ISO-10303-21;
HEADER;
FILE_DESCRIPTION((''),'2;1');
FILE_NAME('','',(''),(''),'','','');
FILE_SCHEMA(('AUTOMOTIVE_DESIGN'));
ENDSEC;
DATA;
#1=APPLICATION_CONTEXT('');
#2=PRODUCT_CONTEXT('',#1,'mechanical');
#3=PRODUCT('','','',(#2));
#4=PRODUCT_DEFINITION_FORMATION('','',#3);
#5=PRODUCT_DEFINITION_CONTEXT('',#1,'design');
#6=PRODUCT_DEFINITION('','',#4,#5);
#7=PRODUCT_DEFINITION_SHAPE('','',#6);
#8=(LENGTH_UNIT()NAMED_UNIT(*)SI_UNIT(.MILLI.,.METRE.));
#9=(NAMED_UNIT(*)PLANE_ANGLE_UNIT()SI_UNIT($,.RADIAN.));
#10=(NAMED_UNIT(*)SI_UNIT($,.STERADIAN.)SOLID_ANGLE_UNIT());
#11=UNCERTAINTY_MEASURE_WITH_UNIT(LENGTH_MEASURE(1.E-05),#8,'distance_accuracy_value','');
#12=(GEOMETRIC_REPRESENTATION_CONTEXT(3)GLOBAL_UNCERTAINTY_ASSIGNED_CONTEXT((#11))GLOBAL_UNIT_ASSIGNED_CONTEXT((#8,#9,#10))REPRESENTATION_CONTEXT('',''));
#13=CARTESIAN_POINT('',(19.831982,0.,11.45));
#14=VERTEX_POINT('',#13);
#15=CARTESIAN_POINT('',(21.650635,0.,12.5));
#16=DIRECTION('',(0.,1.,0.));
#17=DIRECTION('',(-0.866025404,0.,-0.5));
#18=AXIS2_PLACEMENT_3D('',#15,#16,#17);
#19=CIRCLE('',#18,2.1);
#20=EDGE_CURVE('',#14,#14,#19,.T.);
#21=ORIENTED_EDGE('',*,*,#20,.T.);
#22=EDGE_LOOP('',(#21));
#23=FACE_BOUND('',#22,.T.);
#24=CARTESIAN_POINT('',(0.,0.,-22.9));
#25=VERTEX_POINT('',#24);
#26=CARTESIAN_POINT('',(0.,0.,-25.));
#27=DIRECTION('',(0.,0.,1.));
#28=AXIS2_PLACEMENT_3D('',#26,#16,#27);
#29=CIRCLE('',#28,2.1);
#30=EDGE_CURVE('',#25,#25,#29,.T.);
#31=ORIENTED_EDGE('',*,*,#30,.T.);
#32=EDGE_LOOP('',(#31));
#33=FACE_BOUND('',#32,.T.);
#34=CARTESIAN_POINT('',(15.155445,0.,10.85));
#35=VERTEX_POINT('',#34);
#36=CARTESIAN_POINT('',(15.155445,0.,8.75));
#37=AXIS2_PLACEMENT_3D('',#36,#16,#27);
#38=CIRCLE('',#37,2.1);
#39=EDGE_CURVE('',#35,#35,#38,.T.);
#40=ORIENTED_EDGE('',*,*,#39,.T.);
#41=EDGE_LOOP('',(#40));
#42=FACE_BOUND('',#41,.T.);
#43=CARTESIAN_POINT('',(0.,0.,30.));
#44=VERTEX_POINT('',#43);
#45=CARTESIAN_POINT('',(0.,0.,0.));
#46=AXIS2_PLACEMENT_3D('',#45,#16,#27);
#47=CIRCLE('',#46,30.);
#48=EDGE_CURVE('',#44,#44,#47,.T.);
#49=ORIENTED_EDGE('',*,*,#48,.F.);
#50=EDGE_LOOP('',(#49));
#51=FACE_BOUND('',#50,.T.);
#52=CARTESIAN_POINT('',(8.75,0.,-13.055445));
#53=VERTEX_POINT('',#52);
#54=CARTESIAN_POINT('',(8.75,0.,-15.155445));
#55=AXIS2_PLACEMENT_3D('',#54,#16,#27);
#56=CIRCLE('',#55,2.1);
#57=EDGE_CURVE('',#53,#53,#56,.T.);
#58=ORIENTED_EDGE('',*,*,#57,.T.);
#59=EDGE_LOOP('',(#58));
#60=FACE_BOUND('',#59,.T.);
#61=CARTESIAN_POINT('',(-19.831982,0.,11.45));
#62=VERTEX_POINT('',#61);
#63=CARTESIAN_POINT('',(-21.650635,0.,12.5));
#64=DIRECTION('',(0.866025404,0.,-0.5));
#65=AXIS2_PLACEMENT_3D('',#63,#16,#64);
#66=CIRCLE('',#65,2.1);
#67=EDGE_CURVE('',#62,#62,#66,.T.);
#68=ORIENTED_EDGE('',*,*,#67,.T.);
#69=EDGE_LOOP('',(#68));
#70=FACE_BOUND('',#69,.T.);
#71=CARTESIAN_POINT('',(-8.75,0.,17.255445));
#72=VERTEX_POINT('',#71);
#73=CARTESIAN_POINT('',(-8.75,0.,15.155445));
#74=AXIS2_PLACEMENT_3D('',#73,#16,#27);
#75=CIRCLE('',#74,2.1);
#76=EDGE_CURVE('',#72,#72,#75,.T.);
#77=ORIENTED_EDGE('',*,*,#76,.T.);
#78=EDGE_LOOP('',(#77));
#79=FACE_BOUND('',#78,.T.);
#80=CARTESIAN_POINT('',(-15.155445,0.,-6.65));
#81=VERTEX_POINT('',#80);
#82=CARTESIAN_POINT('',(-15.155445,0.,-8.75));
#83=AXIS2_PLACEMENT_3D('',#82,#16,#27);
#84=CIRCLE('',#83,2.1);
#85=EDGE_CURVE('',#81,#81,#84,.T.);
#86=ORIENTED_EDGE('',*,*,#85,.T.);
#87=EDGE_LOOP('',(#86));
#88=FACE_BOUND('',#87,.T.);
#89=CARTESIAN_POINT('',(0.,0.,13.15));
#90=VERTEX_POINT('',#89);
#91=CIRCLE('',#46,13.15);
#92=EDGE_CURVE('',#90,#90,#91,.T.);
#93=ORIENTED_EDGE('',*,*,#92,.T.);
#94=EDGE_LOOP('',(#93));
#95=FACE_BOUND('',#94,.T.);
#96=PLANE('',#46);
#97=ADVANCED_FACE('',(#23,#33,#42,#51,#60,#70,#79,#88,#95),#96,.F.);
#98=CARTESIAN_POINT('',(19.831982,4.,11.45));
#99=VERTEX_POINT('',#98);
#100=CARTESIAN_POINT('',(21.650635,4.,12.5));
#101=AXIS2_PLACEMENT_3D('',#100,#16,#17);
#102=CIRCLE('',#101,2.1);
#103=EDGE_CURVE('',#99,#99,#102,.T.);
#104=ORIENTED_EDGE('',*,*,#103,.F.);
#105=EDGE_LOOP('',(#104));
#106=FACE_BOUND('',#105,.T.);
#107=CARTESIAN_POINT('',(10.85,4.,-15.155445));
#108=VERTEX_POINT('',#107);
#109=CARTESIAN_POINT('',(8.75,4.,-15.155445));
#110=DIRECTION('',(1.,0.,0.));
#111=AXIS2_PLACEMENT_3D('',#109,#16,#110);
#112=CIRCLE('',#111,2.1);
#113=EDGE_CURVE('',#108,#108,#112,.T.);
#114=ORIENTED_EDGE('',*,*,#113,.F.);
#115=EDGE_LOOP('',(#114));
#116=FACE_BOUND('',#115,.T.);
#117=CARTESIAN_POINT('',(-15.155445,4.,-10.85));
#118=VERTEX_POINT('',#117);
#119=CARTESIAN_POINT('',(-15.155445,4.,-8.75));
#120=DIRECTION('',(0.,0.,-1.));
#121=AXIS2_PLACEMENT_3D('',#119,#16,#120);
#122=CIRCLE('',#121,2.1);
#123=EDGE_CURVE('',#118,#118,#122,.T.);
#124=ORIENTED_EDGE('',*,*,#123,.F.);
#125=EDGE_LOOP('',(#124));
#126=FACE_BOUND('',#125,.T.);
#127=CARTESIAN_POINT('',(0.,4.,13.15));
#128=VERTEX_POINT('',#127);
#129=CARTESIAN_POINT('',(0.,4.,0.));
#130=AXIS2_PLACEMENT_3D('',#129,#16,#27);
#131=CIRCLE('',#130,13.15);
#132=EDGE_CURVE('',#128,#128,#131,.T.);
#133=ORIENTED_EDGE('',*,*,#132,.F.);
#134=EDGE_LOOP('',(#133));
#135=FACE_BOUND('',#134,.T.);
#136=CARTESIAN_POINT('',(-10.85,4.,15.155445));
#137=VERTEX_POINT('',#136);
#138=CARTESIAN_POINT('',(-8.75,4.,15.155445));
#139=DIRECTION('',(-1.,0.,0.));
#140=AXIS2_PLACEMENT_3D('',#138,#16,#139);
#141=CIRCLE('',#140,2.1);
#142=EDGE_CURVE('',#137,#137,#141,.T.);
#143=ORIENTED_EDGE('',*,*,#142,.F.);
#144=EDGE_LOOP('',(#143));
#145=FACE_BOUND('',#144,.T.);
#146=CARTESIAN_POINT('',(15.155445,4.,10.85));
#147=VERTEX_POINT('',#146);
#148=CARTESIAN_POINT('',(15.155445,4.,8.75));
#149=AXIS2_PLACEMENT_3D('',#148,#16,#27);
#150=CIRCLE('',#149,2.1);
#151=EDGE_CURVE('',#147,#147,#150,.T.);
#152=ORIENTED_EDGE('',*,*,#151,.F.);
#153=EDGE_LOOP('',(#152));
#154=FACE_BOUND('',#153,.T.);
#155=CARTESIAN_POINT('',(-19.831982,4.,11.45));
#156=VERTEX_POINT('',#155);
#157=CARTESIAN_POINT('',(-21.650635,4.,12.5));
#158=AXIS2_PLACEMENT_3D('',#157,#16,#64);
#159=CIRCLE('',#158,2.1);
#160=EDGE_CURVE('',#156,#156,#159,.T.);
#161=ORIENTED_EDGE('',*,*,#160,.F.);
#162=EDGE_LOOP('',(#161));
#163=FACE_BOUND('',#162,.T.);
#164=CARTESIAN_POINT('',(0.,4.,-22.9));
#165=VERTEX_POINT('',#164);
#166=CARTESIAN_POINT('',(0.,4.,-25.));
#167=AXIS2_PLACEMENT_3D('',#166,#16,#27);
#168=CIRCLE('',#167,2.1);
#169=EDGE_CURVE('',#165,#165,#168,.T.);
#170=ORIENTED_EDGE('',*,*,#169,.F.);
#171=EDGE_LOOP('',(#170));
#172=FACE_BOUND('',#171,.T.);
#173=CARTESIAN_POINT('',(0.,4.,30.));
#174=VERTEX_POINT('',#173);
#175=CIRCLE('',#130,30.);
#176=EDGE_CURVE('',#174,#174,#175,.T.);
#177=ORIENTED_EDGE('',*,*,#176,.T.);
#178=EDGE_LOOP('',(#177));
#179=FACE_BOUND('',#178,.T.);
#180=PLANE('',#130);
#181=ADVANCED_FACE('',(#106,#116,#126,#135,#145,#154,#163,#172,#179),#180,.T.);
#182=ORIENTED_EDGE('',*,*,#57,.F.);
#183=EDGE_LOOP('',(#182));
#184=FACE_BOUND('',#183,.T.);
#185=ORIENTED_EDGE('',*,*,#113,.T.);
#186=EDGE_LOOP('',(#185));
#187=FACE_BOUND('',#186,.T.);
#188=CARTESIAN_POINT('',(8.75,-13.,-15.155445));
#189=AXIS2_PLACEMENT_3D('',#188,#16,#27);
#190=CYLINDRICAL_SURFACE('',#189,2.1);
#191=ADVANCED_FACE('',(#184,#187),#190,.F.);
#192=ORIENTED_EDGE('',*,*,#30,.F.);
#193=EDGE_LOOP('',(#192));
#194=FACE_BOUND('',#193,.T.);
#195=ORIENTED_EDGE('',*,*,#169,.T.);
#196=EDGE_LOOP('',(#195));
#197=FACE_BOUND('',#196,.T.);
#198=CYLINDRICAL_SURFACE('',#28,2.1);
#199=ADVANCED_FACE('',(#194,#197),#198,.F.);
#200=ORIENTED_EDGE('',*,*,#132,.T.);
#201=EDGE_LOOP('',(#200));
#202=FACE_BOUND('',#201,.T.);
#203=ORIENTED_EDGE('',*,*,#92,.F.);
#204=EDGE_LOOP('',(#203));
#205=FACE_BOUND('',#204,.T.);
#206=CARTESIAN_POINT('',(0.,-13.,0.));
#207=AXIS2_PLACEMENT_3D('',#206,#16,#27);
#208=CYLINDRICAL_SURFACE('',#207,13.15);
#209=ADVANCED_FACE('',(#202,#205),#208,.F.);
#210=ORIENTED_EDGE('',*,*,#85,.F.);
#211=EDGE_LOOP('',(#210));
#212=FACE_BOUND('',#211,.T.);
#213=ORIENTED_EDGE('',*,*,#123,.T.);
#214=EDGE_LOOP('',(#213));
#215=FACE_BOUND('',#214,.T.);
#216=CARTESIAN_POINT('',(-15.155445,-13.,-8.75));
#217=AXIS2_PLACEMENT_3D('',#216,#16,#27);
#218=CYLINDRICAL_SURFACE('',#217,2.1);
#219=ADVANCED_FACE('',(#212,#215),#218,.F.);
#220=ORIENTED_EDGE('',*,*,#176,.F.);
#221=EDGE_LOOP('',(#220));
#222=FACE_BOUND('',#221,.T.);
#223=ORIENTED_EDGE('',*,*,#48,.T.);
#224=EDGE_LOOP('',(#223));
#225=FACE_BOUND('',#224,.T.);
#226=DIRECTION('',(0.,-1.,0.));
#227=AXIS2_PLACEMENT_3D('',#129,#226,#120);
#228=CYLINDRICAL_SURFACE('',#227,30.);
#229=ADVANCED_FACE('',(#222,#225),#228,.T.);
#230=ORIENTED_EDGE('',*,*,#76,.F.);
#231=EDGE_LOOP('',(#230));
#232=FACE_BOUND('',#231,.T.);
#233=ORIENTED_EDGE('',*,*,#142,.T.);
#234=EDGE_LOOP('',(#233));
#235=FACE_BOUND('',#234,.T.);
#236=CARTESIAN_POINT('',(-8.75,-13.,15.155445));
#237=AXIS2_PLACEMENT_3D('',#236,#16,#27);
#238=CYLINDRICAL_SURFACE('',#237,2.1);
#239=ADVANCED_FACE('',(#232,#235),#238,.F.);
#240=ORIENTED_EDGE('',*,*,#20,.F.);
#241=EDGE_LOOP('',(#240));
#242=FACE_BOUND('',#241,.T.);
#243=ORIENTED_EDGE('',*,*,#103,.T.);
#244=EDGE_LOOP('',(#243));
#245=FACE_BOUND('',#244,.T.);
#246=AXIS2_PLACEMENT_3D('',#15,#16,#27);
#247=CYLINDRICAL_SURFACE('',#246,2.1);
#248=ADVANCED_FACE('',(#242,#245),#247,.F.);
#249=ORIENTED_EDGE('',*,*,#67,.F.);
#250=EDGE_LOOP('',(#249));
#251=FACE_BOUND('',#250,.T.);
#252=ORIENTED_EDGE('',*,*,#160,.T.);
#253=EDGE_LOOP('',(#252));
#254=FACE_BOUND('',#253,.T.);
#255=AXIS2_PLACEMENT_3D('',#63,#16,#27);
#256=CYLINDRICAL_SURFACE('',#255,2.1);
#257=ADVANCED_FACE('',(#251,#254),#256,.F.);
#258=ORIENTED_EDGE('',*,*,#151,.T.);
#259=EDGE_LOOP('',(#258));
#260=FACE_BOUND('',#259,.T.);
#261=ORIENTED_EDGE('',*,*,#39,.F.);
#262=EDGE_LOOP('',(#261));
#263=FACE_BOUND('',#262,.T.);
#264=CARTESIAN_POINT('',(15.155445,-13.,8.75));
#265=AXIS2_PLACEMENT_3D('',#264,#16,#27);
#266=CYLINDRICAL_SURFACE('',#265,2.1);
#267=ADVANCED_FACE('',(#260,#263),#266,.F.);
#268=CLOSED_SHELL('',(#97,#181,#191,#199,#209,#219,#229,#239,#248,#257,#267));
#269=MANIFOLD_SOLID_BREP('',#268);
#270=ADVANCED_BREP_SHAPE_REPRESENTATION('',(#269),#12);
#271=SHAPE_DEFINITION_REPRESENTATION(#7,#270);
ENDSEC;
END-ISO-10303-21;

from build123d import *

# Parameters (mm, degrees)
SKETCH_1_R               = 30
EXTRUDE_1_DEPTH          = 4
SKETCH_2_R               = 2.1
CUT_EXTRUDE_1_DEPTH      = 4
PATTERN_CIRCULAR_1_COUNT = 3
SKETCH_3_R               = 13.15
CUT_EXTRUDE_2_DEPTH      = 17
SKETCH_4_R               = 2.1
CUT_EXTRUDE_3_DEPTH      = 17
PATTERN_CIRCULAR_2_COUNT = 4


with BuildPart() as part:
    # 草图1 → 凸台-拉伸1 (new body)
    with BuildSketch(Plane(origin=(0, 0, 0), x_dir=(1, 0, 0), z_dir=(0, 1, 0))):
        with Locations(Location((0, 0, 0), (0, 0, 270))):
            Circle(SKETCH_1_R)
    extrude(amount=EXTRUDE_1_DEPTH)

    # 草图2 → 切除-拉伸1 (cut)
    with BuildSketch(Plane(origin=(0, 4, 0), x_dir=(1, 0, 0), z_dir=(0, 1, 0))):
        with Locations(Location((0, 25, 0), (0, 0, 270))):
            Circle(SKETCH_2_R)
    cut_extrude_1 = extrude(amount=-CUT_EXTRUDE_1_DEPTH, mode=Mode.SUBTRACT)

    # 阵列(圆周)1: 切除-拉伸1 ×3 about axis
    pattern_circular_1_axis = Axis((0, 0, 0), (0, 1, 0))
    for i in range(1, PATTERN_CIRCULAR_1_COUNT):
        add(cut_extrude_1.rotate(pattern_circular_1_axis, i * 360 / PATTERN_CIRCULAR_1_COUNT), mode=Mode.SUBTRACT)

    # 草图3 → 切除-拉伸2 (cut)
    with BuildSketch(Plane(origin=(0, 4, 0), x_dir=(1, 0, 0), z_dir=(0, 1, 0))):
        with Locations(Location((0, 0, 0), (0, 0, 270))):
            Circle(SKETCH_3_R)
    extrude(amount=-CUT_EXTRUDE_2_DEPTH, mode=Mode.SUBTRACT)

    # 草图4 → 切除-拉伸3 (cut)
    with BuildSketch(Plane(origin=(0, 4, 0), x_dir=(1, 0, 0), z_dir=(0, 1, 0))):
        with Locations(Location((15.155444566, -8.75, 0), (0, 0, 270))):
            Circle(SKETCH_4_R)
    cut_extrude_3 = extrude(amount=-CUT_EXTRUDE_3_DEPTH, mode=Mode.SUBTRACT)

    # 阵列(圆周)2: 切除-拉伸3 ×4 about axis
    pattern_circular_2_axis = Axis((0, 0, 0), (0, 1, 0))
    for i in range(1, PATTERN_CIRCULAR_2_COUNT):
        add(cut_extrude_3.rotate(pattern_circular_2_axis, i * 360 / PATTERN_CIRCULAR_2_COUNT), mode=Mode.SUBTRACT)


solid = part.part
